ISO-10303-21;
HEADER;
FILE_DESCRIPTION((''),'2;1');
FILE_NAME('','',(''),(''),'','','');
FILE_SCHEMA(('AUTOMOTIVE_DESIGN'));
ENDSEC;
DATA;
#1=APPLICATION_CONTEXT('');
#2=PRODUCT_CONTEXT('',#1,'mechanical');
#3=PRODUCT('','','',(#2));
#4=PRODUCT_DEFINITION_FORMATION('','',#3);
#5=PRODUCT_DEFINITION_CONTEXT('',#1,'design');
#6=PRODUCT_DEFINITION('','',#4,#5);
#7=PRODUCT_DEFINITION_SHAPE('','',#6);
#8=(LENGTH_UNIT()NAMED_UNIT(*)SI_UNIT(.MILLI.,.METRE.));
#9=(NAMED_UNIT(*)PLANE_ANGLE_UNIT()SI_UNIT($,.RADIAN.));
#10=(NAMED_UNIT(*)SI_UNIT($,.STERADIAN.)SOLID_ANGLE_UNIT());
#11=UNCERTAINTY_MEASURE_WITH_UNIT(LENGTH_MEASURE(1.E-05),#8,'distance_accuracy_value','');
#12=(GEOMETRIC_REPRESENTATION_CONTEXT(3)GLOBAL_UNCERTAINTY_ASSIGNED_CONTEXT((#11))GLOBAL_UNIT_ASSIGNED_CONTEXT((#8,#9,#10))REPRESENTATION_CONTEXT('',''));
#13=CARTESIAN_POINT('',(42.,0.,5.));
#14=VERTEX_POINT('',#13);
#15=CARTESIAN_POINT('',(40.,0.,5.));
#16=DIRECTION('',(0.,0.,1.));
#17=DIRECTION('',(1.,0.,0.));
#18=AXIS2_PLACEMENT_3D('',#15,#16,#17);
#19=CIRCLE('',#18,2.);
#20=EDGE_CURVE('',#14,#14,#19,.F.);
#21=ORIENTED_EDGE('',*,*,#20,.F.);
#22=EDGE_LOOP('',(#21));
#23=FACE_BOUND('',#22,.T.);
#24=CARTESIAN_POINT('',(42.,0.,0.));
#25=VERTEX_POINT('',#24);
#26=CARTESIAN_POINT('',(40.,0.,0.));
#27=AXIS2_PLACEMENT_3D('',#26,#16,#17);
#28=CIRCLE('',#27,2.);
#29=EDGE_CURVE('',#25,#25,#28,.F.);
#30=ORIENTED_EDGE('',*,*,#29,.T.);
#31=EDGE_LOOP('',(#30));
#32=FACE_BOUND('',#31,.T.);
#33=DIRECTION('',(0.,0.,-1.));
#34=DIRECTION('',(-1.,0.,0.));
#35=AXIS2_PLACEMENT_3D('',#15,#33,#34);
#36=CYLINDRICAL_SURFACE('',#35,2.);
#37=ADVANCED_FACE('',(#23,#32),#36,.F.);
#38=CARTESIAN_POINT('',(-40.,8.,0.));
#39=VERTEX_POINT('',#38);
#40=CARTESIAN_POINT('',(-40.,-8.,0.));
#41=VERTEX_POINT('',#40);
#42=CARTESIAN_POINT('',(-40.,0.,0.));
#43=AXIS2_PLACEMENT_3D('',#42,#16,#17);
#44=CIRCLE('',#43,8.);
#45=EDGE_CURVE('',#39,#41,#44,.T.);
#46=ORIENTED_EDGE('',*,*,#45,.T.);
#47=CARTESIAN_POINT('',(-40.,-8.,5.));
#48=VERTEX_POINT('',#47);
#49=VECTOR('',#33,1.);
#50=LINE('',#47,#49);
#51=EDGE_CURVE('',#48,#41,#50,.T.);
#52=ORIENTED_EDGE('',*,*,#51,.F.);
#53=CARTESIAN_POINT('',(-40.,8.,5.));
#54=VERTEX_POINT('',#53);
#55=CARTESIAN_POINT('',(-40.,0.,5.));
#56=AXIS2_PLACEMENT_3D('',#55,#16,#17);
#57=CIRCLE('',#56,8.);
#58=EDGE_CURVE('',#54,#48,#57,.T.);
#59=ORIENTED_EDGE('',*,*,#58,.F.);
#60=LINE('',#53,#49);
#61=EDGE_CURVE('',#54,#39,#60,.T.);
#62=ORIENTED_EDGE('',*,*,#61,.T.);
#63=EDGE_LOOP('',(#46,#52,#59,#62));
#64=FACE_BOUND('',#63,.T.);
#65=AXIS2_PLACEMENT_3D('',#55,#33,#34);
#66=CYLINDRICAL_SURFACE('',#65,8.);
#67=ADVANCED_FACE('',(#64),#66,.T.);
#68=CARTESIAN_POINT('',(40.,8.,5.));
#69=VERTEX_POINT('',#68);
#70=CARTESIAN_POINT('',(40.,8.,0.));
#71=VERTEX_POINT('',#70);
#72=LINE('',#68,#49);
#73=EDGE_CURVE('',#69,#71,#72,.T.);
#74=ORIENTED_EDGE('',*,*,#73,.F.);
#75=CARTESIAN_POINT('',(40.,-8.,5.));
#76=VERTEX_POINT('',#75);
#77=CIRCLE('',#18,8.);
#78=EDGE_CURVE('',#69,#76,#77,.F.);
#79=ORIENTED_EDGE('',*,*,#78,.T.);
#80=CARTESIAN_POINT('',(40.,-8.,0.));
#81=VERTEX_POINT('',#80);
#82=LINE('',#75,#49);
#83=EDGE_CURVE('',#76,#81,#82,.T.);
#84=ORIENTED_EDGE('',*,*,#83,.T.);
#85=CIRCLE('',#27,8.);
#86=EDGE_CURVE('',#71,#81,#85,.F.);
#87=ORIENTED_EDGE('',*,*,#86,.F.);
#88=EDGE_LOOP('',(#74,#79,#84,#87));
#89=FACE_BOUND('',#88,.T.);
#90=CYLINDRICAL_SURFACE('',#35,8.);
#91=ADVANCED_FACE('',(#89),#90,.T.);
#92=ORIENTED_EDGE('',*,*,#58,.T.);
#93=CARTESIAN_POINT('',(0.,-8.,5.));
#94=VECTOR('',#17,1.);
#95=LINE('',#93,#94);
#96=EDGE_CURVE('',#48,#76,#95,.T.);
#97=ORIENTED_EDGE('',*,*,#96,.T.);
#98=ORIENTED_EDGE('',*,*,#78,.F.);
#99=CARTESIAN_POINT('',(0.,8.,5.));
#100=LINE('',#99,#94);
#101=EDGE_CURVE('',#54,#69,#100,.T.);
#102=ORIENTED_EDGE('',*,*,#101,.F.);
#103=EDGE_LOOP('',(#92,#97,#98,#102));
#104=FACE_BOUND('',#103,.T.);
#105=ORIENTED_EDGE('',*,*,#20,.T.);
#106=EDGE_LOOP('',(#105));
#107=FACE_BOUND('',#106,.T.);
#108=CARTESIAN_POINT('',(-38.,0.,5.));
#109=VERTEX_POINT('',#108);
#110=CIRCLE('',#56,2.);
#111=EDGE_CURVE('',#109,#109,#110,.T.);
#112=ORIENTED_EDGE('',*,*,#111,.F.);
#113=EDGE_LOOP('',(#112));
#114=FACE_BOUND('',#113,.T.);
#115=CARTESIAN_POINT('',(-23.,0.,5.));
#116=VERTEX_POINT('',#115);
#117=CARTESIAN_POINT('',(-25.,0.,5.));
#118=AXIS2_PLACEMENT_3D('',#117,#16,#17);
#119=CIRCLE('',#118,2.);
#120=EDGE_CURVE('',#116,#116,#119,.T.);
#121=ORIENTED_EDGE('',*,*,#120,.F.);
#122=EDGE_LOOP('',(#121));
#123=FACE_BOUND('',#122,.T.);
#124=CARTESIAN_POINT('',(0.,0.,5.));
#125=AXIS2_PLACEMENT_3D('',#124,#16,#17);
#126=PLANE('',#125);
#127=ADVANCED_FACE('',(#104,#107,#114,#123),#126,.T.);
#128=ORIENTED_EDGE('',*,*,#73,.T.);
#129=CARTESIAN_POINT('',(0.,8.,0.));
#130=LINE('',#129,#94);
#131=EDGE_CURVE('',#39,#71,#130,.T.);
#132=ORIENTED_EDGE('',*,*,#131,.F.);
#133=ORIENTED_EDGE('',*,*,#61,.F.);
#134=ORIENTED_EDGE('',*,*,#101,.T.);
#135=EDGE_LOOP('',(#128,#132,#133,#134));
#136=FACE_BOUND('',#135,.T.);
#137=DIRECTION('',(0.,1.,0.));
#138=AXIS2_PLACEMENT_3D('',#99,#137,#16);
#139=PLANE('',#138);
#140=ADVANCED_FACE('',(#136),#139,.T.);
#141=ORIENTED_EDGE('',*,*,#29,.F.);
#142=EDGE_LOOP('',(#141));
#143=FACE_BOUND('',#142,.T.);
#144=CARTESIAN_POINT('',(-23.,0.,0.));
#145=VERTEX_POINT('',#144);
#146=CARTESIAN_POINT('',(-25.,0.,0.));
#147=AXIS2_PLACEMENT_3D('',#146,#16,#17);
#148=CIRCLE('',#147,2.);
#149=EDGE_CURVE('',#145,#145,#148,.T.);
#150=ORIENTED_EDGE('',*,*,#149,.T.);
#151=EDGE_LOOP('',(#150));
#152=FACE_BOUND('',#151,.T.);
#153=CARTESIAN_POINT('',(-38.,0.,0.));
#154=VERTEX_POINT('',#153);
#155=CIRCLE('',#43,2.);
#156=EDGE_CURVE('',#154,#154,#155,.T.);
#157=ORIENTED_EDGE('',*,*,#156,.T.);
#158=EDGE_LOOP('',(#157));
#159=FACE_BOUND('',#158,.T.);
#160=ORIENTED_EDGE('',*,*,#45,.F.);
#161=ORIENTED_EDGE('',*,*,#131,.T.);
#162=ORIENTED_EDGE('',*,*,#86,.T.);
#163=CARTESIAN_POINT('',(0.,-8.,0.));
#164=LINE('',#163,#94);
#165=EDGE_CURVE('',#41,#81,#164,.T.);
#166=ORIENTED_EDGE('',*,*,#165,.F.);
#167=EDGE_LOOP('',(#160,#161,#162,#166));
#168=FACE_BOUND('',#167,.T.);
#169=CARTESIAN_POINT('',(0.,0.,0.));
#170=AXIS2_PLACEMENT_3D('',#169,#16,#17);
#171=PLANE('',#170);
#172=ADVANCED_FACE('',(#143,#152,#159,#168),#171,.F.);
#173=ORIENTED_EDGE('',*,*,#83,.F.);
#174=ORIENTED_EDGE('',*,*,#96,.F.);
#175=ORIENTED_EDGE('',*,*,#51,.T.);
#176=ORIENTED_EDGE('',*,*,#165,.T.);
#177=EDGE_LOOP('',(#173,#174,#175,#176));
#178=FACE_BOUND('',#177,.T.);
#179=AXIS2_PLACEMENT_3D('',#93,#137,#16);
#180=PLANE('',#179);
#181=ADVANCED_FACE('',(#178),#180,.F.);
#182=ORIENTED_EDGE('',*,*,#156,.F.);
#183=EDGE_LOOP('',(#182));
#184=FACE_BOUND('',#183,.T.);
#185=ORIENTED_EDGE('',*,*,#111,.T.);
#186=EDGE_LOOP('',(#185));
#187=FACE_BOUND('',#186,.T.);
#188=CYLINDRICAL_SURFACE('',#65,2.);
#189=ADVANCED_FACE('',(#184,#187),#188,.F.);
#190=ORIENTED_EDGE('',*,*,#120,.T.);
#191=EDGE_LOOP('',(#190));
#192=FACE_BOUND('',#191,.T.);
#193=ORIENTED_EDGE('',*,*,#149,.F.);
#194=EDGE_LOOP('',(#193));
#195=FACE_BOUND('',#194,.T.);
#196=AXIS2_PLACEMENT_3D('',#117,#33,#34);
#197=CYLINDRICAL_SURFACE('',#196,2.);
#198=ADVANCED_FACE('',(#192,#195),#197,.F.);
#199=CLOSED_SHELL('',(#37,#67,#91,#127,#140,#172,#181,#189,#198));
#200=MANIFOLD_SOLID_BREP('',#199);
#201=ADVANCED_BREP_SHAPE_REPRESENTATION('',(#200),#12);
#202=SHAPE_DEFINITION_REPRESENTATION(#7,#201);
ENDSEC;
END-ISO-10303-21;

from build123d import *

# Parameters (mm, degrees)
SKETCH_1_R      = 2
EXTRUDE_1_DEPTH = 5


with BuildPart() as part:
    # 草图1 → 凸台-拉伸1 (new body)
    with BuildSketch(Plane.XY):
        with BuildLine():
            Line((-40, 8), (40, 8))
            ThreePointArc((40, 8), (48, 0), (40, -8))
            Line((40, -8), (-40, -8))
            ThreePointArc((-40, -8), (-48, 0), (-40, 8))
        make_face()
        with Locations((-40, 0)):
            Circle(SKETCH_1_R, mode=Mode.SUBTRACT)
        with Locations((40, 0)):
            Circle(SKETCH_1_R, mode=Mode.SUBTRACT)
        with Locations((-25, 0)):
            Circle(SKETCH_1_R, mode=Mode.SUBTRACT)
    extrude(amount=EXTRUDE_1_DEPTH)


solid = part.part
